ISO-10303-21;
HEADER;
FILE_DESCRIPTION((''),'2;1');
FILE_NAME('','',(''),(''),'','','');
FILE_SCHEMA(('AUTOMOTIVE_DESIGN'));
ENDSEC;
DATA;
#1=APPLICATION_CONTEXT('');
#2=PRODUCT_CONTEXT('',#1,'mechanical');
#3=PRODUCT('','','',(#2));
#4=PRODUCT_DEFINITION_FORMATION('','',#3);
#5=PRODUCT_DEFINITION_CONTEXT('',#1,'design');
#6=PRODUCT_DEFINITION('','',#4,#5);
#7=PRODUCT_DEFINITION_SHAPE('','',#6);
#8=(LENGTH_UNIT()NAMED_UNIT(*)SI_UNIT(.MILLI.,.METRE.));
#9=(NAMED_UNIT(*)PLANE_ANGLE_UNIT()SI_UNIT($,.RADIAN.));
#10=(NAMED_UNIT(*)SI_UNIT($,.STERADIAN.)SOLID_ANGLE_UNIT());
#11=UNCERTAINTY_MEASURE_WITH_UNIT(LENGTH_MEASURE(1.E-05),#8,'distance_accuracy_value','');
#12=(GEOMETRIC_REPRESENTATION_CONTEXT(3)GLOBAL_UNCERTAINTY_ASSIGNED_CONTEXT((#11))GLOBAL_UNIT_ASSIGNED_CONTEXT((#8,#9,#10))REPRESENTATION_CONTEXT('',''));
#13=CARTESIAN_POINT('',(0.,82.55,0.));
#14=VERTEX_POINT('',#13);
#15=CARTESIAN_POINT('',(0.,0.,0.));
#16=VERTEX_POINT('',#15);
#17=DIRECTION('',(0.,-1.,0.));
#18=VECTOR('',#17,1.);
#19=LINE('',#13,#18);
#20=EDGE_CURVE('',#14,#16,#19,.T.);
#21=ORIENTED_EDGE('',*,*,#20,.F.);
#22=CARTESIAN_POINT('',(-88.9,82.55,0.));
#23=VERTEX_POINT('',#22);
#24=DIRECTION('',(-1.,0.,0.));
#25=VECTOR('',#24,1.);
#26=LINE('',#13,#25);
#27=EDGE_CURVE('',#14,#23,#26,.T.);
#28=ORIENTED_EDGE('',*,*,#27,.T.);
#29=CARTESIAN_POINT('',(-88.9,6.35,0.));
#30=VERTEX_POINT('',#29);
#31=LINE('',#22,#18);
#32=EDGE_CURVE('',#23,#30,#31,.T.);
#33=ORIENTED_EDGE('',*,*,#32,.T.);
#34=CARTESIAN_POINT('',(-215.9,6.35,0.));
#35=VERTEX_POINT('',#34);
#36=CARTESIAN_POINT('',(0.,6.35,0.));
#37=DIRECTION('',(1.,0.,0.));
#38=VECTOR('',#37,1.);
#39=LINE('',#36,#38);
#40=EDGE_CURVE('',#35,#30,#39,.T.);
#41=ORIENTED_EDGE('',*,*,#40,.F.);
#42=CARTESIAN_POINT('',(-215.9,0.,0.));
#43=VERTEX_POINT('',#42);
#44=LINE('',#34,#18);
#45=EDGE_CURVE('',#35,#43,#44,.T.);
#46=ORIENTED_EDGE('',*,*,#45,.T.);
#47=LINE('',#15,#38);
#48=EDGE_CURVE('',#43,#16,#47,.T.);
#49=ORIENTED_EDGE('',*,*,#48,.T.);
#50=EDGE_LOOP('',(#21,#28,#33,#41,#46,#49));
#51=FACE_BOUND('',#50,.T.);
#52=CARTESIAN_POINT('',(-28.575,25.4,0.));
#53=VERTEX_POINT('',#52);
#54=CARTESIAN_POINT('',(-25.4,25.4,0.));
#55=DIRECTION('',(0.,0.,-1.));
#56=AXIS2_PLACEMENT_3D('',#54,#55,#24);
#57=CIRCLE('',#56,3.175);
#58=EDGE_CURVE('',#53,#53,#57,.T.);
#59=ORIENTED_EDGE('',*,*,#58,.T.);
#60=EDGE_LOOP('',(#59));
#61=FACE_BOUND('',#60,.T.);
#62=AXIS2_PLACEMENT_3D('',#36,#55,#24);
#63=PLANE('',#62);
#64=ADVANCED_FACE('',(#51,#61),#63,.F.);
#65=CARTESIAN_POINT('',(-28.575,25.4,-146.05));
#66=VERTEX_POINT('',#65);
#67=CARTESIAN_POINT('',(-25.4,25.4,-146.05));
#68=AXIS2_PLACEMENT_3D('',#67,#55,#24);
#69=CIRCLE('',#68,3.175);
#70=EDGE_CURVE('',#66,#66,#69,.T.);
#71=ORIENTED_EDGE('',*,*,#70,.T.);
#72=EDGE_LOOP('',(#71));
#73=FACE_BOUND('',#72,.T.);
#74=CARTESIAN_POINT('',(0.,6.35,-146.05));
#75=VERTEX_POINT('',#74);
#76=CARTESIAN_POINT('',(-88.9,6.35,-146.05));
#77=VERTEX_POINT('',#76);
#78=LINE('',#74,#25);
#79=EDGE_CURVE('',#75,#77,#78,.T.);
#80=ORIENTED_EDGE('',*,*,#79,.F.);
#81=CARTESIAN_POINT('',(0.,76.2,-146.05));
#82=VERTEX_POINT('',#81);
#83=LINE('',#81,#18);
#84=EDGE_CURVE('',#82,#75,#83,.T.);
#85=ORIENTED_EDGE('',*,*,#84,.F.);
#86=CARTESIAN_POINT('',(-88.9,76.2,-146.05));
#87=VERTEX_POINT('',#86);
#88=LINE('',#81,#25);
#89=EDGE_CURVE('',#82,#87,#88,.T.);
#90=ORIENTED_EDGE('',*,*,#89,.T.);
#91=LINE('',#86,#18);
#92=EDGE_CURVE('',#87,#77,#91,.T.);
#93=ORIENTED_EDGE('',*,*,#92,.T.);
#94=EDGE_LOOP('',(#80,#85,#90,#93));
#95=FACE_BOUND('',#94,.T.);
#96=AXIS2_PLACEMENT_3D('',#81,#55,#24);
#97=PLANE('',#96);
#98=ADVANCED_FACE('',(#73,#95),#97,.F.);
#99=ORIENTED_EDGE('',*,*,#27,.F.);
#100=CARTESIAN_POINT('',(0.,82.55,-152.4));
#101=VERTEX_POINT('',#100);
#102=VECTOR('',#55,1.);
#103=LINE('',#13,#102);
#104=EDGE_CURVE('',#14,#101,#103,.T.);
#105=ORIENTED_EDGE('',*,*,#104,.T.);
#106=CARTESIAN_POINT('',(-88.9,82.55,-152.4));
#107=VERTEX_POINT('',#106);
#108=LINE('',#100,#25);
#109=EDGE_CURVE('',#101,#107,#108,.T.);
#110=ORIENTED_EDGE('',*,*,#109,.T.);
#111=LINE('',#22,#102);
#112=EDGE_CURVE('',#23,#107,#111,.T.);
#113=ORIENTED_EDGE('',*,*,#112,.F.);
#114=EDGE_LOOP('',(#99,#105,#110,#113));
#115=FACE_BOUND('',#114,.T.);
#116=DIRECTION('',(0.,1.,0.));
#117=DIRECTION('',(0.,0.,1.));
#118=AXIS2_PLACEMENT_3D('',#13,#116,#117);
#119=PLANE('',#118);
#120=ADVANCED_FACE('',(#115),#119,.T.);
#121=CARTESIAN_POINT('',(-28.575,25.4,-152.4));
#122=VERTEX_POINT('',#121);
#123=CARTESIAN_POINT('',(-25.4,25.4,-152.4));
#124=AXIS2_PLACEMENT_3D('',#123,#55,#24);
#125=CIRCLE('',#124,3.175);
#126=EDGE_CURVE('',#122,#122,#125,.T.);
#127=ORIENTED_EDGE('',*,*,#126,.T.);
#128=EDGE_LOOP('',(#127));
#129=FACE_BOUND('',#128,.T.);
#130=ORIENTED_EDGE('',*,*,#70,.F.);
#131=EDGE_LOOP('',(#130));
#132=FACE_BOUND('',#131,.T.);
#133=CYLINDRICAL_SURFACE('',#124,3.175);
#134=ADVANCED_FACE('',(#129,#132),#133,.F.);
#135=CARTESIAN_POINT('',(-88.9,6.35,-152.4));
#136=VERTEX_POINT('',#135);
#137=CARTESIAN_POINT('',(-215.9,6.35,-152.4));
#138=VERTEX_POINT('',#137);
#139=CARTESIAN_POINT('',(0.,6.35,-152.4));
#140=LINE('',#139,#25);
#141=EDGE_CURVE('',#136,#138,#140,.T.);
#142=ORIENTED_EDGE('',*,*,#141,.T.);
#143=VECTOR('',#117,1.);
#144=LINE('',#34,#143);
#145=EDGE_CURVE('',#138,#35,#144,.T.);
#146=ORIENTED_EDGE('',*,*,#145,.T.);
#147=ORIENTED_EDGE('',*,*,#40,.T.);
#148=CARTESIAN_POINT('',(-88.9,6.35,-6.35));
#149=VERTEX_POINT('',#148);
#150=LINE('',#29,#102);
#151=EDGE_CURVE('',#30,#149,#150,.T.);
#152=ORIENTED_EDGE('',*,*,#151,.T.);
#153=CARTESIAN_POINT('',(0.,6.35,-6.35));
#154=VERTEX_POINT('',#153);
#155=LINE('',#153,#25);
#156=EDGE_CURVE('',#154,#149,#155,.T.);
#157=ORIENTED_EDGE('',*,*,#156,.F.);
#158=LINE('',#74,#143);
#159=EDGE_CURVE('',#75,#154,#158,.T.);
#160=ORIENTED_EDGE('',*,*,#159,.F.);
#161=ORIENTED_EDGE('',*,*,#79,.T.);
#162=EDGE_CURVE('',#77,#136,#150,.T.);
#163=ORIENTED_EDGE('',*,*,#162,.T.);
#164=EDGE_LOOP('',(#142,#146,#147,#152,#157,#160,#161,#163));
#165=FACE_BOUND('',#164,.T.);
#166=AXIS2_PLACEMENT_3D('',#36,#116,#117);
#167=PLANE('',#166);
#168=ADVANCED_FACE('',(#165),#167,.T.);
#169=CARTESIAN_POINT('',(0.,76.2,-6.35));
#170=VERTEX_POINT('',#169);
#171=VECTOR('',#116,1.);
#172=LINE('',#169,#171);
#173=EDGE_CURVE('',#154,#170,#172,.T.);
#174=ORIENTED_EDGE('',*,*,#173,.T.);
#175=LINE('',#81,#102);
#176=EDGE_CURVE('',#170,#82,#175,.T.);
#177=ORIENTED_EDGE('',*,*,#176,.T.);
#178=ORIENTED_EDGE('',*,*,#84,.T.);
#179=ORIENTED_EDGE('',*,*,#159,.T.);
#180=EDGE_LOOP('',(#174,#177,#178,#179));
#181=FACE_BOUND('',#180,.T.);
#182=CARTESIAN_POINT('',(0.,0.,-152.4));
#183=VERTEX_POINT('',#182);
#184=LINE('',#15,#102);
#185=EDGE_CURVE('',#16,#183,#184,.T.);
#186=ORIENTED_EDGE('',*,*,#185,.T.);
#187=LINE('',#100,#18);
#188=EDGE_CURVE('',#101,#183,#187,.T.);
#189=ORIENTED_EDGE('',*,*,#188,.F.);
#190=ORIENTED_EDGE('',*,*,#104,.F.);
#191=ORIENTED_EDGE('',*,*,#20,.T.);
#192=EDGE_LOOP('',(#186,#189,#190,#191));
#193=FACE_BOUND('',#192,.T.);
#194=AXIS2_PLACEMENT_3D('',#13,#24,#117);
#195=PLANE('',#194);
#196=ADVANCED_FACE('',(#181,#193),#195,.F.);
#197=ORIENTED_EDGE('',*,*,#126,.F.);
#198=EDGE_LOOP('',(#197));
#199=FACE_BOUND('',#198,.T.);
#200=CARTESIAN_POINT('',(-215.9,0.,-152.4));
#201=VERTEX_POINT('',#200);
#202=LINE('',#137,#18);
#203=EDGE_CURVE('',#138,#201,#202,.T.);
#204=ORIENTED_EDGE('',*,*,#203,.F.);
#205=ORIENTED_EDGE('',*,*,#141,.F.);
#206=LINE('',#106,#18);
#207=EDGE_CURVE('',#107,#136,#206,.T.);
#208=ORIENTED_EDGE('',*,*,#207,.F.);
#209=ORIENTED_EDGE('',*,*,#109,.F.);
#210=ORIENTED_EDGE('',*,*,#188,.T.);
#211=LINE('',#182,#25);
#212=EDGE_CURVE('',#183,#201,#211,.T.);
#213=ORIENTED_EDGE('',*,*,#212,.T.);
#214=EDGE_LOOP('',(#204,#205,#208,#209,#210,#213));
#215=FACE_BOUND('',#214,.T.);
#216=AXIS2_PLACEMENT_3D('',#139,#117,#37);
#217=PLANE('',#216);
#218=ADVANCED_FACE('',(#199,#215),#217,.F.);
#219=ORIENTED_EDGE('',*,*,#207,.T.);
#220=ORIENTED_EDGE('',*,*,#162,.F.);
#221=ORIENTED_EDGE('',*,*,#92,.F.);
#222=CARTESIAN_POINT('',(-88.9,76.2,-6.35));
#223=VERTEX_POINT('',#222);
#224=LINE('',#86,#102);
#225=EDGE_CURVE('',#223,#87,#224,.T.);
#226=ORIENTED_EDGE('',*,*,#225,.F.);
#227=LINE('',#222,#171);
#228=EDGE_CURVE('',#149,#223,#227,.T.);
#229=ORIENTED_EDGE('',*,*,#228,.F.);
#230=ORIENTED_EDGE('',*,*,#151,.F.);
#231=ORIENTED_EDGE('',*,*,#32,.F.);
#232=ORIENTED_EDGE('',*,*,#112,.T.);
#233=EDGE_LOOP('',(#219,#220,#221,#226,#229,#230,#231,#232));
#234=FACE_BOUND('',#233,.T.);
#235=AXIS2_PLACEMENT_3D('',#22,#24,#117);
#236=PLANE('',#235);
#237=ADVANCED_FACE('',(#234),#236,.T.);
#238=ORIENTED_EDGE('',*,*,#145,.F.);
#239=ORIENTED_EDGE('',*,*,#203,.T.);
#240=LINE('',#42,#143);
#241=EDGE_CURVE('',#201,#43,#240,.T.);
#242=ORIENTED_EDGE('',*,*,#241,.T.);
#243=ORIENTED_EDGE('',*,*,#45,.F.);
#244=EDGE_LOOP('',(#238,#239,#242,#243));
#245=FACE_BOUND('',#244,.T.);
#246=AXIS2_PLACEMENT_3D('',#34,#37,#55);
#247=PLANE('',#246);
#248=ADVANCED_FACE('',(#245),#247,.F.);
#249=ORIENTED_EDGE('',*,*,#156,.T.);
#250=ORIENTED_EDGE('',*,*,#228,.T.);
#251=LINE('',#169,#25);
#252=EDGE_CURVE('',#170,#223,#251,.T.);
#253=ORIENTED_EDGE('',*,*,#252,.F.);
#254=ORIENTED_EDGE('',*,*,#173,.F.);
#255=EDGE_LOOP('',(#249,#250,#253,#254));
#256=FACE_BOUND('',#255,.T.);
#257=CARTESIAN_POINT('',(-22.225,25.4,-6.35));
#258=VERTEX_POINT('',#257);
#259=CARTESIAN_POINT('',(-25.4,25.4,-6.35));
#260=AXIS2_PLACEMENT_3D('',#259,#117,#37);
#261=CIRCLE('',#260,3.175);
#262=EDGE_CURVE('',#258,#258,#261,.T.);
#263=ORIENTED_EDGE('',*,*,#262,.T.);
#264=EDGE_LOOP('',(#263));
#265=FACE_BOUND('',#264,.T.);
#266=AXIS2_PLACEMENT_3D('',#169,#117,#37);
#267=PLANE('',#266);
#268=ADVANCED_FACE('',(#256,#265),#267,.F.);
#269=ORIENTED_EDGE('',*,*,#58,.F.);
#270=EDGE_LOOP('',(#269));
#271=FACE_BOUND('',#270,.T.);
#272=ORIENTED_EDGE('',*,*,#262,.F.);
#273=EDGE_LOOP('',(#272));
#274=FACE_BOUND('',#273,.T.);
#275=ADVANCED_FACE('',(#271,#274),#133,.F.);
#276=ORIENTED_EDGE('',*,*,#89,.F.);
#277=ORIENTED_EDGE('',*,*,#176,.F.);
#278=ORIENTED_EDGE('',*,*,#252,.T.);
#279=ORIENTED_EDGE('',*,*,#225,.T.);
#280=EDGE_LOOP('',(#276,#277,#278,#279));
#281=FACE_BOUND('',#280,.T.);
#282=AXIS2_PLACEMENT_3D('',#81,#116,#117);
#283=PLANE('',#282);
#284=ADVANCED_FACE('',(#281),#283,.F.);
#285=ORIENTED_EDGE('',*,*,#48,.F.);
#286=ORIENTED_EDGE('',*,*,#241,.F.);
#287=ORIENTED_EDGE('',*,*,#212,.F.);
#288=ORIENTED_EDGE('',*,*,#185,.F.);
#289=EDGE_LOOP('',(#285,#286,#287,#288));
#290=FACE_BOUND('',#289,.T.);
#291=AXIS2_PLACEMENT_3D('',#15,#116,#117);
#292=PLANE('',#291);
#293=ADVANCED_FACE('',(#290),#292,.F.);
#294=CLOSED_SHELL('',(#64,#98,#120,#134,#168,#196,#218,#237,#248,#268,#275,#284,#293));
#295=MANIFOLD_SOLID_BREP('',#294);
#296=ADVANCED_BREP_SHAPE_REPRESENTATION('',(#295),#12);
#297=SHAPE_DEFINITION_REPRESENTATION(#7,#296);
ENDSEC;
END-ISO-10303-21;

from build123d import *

# Parameters (mm, degrees)
SKETCH1_W                   = 127
SKETCH1_H                   = 152.4
BOSS_EXTRUDE1_DEPTH         = 6.35
SKETCH1_7_W                 = 88.9
SKETCH1_7_H                 = 152.4
BOSS_EXTRUDE2_DEPTH         = 82.55
SKETCH29_W                  = 139.7
SKETCH29_H                  = 69.85
CUT_EXTRUDE4_DEPTH          = 215.870338809
F_1_4_0_25_DIAMETER_HOLE2_D = 6.35


with BuildPart() as part:
    # Sketch1 → Boss-Extrude1 (new body)
    with BuildSketch(Plane(origin=(0, 0, 0), x_dir=(1, 0, 0), z_dir=(0, 1, 0))):
        with Locations((-152.4, 76.2)):
            Rectangle(SKETCH1_W, SKETCH1_H)
    extrude(amount=BOSS_EXTRUDE1_DEPTH)

    # Sketch1<7> → Boss-Extrude2 (add)
    with BuildSketch(Plane(origin=(0, 0, 0), x_dir=(1, 0, 0), z_dir=(0, 1, 0))):
        with Locations((-44.45, 76.2)):
            Rectangle(SKETCH1_7_W, SKETCH1_7_H)
    extrude(amount=BOSS_EXTRUDE2_DEPTH)

    # Sketch29 → Cut-Extrude4 (cut, through all)
    with BuildSketch(Plane.ZY.offset(88.9)):
        with Locations((-76.2, 41.275)):
            Rectangle(SKETCH29_W, SKETCH29_H)
    extrude(amount=-CUT_EXTRUDE4_DEPTH, mode=Mode.SUBTRACT)

    # 1/4 (0.25) Diameter Hole2 (through all)
    with Locations(Plane(origin=(0, 0, -152.4), x_dir=(-1, 0, 0), z_dir=(0, 0, -1))):
        with Locations((25.4, 25.4)):
            Hole(F_1_4_0_25_DIAMETER_HOLE2_D / 2)


solid = part.part
